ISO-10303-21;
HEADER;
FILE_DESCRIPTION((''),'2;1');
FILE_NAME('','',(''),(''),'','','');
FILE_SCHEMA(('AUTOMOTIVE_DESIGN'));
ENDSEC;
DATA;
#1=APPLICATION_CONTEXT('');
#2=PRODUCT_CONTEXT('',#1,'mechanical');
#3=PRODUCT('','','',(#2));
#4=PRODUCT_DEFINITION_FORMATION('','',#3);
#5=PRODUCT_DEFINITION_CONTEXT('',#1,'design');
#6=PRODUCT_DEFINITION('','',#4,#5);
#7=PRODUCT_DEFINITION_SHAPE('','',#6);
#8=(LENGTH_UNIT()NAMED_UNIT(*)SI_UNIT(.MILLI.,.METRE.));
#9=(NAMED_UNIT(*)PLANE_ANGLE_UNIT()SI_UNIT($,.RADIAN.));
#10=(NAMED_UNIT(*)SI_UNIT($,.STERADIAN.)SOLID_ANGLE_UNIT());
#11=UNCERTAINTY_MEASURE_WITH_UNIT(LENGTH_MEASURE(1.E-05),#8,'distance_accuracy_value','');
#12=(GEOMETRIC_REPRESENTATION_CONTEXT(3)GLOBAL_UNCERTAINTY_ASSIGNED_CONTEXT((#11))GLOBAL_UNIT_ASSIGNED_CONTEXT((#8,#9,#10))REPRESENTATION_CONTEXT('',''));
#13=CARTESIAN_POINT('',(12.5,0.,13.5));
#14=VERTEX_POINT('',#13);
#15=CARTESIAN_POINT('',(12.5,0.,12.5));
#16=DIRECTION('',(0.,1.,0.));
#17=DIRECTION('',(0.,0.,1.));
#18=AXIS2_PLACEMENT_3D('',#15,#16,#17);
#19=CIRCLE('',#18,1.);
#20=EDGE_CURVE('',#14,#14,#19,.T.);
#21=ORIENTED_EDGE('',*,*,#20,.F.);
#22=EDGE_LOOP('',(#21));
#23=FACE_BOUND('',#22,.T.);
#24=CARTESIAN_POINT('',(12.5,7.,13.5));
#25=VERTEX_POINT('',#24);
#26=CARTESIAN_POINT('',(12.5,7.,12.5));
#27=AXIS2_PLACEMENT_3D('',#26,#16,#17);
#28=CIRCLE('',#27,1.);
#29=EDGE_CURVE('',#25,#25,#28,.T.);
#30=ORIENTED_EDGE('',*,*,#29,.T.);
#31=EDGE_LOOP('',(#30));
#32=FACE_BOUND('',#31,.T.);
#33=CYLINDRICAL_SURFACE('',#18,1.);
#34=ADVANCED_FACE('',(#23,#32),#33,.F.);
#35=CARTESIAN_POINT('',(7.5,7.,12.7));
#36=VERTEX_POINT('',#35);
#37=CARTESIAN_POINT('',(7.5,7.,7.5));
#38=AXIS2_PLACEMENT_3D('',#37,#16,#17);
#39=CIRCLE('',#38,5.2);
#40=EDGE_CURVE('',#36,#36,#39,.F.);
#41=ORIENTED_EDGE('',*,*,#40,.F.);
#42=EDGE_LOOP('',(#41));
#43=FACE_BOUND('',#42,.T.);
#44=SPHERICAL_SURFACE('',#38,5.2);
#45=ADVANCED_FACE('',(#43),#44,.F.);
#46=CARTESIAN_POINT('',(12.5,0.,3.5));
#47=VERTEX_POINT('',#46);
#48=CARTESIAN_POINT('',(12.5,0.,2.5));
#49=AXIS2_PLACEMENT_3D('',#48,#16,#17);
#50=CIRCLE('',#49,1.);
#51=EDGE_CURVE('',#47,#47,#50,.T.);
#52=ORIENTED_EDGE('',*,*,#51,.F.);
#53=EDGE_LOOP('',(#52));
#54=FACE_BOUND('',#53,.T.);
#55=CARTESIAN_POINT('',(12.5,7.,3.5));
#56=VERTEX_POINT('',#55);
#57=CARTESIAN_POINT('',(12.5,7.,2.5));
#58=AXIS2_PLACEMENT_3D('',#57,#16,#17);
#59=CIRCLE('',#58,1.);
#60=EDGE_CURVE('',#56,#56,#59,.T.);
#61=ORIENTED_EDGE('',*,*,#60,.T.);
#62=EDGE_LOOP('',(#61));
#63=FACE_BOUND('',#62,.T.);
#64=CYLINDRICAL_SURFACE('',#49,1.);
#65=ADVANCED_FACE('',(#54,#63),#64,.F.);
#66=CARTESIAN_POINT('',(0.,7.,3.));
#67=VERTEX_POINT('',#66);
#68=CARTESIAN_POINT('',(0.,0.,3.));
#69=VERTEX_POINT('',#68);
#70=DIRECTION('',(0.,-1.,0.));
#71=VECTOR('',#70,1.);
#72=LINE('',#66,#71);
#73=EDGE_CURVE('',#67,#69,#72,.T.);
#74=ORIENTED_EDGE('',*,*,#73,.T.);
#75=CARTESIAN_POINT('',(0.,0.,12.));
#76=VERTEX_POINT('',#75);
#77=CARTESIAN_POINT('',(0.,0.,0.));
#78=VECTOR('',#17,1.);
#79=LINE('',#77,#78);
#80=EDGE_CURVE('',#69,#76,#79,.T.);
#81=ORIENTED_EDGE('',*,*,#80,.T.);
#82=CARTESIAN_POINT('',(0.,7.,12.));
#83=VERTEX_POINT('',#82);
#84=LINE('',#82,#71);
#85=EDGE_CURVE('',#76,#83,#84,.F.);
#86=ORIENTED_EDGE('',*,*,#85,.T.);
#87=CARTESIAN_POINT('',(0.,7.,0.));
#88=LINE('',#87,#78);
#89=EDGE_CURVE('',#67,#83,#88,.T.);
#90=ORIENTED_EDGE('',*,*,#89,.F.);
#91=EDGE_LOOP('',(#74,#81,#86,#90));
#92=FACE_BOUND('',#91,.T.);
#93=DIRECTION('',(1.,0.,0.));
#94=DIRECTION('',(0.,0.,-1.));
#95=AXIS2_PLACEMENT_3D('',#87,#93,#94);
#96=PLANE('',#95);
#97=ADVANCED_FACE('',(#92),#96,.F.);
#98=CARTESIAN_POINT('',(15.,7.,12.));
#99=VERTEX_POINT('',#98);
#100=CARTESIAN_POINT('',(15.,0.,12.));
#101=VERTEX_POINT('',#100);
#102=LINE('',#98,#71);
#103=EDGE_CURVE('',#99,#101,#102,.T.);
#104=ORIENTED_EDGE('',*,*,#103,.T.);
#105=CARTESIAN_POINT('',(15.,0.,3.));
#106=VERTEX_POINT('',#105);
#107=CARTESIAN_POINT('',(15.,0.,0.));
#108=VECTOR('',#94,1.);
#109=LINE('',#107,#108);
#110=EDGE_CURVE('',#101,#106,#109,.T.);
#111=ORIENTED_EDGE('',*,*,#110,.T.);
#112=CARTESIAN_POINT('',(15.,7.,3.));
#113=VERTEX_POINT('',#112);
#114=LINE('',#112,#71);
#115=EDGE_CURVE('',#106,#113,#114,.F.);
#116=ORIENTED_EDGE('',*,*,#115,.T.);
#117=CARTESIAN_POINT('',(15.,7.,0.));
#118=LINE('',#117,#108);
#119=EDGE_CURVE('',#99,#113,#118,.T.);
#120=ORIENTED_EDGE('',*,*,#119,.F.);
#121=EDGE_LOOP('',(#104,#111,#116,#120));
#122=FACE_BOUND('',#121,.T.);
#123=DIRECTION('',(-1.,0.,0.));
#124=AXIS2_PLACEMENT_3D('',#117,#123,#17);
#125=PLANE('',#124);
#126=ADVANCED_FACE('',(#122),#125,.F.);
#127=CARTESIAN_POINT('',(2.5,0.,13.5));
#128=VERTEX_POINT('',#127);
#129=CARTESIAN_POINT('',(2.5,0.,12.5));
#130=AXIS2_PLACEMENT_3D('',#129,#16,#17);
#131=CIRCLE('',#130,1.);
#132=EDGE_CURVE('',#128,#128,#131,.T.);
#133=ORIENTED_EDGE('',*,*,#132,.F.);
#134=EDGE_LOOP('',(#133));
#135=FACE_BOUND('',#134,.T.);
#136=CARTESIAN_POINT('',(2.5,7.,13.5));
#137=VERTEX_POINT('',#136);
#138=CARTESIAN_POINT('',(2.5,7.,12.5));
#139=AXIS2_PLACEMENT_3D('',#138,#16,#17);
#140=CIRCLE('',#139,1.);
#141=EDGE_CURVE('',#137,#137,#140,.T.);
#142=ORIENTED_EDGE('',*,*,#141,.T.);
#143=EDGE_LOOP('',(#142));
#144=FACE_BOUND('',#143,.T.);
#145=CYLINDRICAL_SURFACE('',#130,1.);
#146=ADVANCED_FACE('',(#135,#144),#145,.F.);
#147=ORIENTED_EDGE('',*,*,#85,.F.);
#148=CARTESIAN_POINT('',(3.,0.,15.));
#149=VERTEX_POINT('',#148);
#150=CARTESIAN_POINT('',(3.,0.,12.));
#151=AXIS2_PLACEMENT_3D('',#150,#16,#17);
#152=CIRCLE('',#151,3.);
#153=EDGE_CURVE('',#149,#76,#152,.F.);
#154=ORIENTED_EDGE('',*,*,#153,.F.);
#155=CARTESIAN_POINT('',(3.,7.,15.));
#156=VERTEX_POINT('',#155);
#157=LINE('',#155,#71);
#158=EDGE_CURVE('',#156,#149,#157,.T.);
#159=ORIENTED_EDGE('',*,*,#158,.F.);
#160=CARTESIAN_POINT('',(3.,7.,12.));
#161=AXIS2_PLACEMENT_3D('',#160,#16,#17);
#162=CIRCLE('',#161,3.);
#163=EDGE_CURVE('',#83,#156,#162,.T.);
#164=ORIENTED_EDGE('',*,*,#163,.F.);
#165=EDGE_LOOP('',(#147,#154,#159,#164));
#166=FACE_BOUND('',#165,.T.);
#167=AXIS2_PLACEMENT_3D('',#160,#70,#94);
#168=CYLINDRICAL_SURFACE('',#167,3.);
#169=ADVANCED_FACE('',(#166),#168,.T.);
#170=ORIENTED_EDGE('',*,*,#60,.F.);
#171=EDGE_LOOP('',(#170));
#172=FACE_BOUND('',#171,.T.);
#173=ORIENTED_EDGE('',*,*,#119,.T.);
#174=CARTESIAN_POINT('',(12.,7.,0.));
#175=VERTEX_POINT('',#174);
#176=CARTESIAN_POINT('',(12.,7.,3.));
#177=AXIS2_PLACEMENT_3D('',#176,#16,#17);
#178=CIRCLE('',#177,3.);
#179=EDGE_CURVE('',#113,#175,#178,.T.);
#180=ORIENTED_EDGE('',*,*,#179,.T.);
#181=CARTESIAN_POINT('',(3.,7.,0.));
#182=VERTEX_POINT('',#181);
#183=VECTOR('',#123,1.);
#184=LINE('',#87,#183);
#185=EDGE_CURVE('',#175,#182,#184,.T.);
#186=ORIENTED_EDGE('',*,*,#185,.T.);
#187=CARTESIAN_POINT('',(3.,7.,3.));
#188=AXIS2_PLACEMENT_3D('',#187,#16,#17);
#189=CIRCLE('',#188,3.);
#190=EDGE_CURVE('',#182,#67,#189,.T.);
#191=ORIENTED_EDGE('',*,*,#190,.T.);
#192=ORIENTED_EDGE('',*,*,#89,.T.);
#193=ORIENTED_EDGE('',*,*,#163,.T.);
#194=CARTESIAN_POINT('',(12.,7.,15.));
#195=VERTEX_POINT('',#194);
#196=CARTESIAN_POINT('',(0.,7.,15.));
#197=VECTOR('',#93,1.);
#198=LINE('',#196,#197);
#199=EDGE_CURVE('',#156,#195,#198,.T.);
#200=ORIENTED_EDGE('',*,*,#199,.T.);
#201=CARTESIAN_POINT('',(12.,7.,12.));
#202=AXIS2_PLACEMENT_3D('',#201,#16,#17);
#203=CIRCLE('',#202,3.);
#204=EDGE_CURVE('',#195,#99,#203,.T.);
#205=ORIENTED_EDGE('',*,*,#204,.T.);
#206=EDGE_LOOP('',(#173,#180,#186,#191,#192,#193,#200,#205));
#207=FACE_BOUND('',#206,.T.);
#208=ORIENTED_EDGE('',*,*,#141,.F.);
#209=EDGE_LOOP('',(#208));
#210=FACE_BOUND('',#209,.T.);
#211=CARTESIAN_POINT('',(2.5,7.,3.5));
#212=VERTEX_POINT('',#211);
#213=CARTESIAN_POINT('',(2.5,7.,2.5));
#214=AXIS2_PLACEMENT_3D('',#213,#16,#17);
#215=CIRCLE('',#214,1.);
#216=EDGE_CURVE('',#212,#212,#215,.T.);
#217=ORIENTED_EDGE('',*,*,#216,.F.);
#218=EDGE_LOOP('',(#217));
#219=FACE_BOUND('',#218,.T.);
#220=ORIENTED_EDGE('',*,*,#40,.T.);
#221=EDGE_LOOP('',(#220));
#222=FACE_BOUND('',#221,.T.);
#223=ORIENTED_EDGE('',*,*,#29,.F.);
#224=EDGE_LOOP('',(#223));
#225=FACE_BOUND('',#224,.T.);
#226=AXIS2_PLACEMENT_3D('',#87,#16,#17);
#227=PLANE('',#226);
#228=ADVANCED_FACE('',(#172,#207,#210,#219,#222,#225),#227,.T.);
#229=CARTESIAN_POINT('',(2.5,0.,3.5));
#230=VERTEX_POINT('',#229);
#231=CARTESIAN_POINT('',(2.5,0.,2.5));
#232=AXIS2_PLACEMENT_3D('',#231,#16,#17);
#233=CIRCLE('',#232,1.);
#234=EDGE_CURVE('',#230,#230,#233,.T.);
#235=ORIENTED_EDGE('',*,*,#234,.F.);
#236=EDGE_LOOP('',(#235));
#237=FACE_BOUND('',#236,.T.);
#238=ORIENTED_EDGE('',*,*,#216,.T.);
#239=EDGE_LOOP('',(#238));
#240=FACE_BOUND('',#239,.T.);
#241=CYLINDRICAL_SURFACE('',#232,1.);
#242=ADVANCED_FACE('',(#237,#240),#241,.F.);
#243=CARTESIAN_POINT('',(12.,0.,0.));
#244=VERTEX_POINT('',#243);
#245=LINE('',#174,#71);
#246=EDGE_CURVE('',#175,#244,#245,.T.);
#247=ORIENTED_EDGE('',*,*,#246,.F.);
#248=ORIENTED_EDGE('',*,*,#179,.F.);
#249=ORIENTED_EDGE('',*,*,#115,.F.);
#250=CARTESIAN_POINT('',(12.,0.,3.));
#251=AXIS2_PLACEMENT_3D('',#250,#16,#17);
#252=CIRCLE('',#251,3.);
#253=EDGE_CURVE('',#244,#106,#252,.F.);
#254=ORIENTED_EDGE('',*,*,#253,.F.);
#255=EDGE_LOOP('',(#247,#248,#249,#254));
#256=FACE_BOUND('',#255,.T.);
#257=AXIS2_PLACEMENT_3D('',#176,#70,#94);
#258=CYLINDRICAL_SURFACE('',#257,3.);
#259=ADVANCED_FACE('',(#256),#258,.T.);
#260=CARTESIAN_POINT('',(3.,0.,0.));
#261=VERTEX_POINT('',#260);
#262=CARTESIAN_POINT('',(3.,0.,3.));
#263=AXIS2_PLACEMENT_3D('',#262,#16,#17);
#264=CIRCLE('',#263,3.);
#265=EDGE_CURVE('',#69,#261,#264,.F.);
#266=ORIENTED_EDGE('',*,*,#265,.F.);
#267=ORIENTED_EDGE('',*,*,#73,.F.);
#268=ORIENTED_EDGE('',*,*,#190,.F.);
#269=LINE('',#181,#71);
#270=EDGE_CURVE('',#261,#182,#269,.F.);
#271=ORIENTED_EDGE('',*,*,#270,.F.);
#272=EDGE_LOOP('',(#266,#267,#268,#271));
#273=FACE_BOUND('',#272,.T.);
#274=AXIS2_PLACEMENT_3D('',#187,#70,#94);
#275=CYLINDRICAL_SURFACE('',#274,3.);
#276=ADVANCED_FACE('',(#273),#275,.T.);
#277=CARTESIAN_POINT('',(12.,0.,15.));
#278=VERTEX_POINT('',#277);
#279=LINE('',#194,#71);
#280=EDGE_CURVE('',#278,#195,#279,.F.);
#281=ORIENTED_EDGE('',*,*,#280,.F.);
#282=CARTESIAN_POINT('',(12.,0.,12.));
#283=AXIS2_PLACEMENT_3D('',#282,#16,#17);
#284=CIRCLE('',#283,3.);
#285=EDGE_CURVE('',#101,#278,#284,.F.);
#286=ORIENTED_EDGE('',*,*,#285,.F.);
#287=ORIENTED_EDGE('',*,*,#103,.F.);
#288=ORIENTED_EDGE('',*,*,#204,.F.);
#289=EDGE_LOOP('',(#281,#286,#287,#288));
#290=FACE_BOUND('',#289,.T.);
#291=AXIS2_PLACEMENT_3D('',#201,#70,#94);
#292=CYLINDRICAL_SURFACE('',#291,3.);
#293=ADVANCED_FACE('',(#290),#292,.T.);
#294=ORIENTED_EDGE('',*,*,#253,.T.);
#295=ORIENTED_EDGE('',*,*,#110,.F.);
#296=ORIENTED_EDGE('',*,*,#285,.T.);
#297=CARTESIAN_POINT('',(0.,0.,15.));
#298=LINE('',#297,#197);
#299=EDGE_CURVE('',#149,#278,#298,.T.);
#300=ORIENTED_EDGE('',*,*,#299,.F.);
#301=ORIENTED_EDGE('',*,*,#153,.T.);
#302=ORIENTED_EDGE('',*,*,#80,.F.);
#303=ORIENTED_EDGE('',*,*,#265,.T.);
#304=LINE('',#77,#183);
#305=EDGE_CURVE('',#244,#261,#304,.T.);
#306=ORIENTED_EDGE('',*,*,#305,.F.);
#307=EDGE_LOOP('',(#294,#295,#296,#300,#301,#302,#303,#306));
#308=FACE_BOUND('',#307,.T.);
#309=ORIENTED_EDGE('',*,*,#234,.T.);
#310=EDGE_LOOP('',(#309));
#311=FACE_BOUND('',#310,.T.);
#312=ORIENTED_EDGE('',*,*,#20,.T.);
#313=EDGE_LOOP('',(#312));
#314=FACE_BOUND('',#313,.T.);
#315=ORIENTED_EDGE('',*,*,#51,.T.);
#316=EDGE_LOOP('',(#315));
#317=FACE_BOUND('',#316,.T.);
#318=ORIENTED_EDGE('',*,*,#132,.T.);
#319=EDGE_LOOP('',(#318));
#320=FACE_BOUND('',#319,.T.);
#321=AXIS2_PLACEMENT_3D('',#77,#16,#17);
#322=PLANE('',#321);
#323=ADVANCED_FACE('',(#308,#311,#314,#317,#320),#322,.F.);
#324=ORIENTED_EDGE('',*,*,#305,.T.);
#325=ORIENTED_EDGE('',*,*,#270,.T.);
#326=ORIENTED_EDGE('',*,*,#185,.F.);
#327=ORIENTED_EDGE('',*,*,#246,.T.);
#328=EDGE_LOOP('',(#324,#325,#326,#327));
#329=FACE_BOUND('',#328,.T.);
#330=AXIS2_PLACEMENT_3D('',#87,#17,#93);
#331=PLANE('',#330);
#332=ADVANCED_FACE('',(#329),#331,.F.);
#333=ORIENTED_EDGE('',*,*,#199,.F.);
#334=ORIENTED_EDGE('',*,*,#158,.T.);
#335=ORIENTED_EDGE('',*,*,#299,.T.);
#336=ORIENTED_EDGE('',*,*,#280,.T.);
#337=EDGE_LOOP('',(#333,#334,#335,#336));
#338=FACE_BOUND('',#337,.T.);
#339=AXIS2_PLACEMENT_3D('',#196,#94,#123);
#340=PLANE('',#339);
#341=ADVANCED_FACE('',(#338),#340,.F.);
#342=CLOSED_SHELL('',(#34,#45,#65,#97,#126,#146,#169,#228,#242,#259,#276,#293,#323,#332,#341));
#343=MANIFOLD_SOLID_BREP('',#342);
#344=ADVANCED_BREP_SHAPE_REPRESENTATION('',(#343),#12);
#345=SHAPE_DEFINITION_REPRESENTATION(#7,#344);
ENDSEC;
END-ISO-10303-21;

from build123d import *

# Parameters (mm, degrees)
SKETCH1_W           = 15
SKETCH1_H           = 15
BOSS_EXTRUDE1_DEPTH = 7
SKETCH3_R           = 1
CUT_EXTRUDE1_DEPTH  = 23.338307904
FILLET1_R           = 3


with BuildPart() as part:
    # Sketch1 → Boss-Extrude1 (new body)
    with BuildSketch(Plane(origin=(0, 0, 0), x_dir=(1, 0, 0), z_dir=(0, 1, 0))):
        with Locations((7.5, -7.5)):
            Rectangle(SKETCH1_W, SKETCH1_H)
    extrude(amount=BOSS_EXTRUDE1_DEPTH)

    # Sketch2 → Cut-Revolve1 (revolve, cut)
    with BuildSketch(Plane(origin=(0, 7, 0), x_dir=(1, 0, 0), z_dir=(0, 1, 0))):
        with BuildLine():
            Line((12.7, -7.5), (2.3, -7.5))
            ThreePointArc((2.3, -7.5), (7.5, -12.7), (12.7, -7.5))
        make_face()
    revolve(axis=Axis((12.7, 7, 7.5), (-1, 0, 0)), mode=Mode.SUBTRACT)

    # Sketch3 → Cut-Extrude1 (cut, through all)
    with BuildSketch(Plane(origin=(0, 7, 0), x_dir=(1, 0, 0), z_dir=(0, 1, 0))):
        with Locations(Location((2.5, -12.5, 0), (0, 0, 270))):
            Circle(SKETCH3_R)
        with Locations(Location((12.5, -12.5, 0), (0, 0, 270))):
            Circle(SKETCH3_R)
        with Locations(Location((12.5, -2.5, 0), (0, 0, 270))):
            Circle(SKETCH3_R)
        with Locations(Location((2.5, -2.5, 0), (0, 0, 270))):
            Circle(SKETCH3_R)
    extrude(amount=-CUT_EXTRUDE1_DEPTH, mode=Mode.SUBTRACT)

    # Fillet1
    fillet1_edges = [part.edges().sort_by_distance(p)[0] for p in [
        (0, 3.5, 0),
        (15, 3.5, 0),
        (15, 3.5, 15),
        (0, 3.5, 15),
    ]]
    fillet(fillet1_edges, radius=FILLET1_R)


solid = part.part
